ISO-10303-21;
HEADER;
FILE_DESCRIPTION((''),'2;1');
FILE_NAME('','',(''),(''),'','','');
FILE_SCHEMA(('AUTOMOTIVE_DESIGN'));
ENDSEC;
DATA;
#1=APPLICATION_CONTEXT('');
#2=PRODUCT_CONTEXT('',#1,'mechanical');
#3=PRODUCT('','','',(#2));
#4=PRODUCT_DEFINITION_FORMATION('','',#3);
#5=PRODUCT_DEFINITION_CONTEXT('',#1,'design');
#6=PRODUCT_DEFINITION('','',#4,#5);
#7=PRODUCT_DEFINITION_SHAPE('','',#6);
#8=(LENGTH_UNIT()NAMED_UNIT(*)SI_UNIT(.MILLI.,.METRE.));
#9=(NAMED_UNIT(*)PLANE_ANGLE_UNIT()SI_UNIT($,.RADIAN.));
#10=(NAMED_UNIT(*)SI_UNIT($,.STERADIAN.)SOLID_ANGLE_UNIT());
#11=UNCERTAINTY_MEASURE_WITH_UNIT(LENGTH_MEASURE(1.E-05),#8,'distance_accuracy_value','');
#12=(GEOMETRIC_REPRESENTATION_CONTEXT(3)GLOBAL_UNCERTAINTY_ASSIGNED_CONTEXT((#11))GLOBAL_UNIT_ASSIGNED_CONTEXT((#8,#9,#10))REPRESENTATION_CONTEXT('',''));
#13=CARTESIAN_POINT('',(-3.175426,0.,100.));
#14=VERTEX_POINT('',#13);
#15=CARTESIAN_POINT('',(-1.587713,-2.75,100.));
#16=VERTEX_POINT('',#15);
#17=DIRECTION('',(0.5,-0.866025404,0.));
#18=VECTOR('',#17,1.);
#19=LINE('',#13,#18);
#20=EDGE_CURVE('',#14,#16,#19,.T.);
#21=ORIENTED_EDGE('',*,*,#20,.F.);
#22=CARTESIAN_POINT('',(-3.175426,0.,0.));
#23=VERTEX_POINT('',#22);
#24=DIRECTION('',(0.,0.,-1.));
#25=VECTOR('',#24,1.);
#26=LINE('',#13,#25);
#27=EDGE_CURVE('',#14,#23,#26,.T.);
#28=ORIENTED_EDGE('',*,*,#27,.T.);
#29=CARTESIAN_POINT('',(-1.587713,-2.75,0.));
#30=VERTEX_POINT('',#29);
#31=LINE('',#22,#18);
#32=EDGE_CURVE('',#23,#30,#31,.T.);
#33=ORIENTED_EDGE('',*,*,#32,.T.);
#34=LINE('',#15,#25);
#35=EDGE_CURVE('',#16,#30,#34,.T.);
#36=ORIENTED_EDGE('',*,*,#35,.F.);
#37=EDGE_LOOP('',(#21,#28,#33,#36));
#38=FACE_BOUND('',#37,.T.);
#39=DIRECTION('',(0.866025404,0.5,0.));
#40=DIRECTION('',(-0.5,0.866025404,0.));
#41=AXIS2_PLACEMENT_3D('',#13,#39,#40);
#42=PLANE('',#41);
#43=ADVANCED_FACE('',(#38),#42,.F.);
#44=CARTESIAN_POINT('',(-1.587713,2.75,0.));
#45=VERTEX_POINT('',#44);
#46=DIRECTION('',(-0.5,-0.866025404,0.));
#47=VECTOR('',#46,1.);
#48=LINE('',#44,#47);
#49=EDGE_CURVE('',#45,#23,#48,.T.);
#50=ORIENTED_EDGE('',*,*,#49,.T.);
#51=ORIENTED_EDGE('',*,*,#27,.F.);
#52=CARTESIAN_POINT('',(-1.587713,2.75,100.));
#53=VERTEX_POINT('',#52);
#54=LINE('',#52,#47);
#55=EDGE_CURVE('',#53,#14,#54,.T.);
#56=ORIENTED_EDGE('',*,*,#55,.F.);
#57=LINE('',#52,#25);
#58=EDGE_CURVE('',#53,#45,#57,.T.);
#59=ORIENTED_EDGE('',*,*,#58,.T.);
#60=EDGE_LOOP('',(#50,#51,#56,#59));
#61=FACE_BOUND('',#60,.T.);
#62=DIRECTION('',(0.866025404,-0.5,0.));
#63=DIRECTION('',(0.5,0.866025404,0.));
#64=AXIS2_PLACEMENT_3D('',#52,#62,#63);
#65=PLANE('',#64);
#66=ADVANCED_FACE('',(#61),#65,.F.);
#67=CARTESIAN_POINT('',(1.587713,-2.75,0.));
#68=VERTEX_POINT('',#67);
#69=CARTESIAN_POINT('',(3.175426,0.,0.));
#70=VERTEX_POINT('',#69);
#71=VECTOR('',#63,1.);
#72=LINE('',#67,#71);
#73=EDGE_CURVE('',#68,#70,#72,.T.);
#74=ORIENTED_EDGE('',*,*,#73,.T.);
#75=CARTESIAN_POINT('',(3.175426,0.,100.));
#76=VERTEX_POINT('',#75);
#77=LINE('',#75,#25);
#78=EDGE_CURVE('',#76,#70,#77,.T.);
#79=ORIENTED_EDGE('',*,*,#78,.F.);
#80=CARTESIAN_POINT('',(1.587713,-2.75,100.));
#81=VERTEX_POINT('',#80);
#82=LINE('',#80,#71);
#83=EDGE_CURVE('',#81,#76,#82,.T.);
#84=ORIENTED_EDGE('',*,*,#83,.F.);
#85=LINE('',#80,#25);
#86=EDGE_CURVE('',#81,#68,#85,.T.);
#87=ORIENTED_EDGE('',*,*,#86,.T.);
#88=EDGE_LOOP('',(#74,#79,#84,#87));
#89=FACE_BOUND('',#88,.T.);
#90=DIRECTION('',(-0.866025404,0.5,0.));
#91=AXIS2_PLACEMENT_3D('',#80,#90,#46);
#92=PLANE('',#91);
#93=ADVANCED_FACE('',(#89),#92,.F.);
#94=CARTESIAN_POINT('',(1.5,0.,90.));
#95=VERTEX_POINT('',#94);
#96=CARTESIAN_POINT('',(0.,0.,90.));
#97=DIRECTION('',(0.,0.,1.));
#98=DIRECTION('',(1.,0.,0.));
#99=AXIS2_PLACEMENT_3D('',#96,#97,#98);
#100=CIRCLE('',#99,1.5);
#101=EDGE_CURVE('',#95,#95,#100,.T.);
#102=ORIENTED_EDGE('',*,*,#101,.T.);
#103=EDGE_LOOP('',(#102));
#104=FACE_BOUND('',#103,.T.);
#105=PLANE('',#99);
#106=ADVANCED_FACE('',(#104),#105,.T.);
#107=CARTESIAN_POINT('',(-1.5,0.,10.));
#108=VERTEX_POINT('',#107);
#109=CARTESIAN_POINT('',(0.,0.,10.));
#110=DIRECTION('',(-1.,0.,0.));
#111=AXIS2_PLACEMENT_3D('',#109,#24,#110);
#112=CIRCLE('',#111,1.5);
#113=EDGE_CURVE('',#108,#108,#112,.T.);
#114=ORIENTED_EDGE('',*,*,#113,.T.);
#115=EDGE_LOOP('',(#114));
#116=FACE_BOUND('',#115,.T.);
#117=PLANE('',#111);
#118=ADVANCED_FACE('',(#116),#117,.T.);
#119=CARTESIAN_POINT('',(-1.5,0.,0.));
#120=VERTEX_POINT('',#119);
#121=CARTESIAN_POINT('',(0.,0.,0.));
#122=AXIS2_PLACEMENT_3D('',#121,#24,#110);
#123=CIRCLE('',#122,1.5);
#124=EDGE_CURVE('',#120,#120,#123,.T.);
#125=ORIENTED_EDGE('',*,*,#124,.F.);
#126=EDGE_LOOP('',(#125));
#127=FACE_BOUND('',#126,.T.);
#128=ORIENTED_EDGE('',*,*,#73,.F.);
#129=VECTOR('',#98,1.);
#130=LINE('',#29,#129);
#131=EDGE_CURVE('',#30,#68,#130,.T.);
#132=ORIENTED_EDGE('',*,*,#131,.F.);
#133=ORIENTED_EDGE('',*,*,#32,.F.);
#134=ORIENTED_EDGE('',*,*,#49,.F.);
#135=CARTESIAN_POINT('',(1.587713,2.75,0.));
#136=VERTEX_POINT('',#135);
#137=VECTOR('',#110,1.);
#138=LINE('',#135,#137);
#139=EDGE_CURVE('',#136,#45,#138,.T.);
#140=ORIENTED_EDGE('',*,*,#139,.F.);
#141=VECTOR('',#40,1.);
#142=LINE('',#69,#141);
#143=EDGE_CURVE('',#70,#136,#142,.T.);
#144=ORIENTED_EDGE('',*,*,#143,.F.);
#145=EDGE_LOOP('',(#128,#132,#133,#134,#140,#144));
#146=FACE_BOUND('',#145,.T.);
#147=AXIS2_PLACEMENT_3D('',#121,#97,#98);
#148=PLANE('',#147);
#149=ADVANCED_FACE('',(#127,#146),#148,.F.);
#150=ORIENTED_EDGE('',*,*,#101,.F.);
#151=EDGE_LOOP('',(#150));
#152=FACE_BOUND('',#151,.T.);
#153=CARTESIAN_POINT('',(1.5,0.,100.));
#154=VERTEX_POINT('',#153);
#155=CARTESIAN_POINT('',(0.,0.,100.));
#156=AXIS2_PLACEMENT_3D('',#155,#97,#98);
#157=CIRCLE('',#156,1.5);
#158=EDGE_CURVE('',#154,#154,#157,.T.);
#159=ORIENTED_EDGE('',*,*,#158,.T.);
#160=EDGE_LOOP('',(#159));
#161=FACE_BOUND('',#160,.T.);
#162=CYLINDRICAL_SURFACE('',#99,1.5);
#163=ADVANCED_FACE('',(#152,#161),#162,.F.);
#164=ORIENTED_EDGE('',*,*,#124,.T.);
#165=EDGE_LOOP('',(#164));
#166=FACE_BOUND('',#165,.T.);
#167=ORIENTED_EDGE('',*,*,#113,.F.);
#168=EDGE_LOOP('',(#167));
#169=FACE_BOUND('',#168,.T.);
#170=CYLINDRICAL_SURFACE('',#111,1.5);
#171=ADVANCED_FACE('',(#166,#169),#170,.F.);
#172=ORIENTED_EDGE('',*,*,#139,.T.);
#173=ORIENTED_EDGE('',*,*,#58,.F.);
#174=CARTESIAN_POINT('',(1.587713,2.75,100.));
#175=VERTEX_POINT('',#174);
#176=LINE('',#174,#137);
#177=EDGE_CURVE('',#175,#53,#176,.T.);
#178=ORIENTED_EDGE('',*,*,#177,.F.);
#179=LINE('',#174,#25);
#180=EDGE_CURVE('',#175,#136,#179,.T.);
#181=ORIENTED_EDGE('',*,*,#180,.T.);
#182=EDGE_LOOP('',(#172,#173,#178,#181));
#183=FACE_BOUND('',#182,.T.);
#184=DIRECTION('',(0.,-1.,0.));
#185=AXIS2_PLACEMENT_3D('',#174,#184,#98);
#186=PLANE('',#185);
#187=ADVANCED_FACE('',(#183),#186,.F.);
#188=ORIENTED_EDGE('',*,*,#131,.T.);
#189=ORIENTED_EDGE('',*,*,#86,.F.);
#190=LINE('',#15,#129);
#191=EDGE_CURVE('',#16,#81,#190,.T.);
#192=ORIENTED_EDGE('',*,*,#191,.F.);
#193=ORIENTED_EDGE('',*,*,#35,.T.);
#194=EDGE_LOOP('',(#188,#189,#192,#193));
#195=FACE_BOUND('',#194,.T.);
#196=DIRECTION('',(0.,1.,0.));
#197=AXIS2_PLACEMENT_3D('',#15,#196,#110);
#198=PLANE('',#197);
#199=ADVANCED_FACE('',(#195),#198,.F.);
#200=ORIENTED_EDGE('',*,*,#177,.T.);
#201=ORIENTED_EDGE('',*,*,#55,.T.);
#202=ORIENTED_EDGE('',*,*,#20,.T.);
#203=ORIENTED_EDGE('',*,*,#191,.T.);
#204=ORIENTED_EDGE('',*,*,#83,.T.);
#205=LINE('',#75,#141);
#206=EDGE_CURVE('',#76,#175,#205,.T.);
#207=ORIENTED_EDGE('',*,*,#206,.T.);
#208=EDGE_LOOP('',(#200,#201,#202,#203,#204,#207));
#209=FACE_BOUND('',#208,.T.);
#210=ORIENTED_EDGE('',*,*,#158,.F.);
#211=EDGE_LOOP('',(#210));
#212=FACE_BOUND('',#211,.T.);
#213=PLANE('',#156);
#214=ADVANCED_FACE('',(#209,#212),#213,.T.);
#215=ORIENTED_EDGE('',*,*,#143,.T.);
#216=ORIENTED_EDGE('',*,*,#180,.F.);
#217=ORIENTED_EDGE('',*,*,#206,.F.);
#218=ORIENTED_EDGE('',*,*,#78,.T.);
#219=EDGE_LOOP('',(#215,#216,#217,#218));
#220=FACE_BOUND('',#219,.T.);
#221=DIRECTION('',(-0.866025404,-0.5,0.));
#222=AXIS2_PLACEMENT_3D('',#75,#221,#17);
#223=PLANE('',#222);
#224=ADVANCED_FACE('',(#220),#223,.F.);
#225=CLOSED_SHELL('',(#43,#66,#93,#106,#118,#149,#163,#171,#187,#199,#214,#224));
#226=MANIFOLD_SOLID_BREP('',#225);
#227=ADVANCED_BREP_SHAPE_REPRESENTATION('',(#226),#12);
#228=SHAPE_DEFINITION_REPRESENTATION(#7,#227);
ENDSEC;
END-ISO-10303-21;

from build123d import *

# Parameters (mm, degrees)
EXTRUDE_1_DEPTH     = 100
SKETCH_2_R          = 1.5
CUT_EXTRUDE_1_DEPTH = 10
CUT_EXTRUDE_START   = -10
SKETCH_3_R          = 1.5
CUT_EXTRUDE_2_DEPTH = 10


with BuildPart() as part:
    # Эскиз1 → Бобышка-Вытянуть1 (new body)
    with BuildSketch(Plane.XY):
        Polygon((1.58771324, -2.75), (3.175426481, 0), (1.58771324, 2.75), (-1.58771324, 2.75), (-3.175426481, 0), (-1.58771324, -2.75), align=None)
    extrude(amount=EXTRUDE_1_DEPTH)

    # Эскиз2 → Вырез-Вытянуть1 (cut)
    with BuildSketch(Plane(origin=(0, 0, 0), x_dir=(-1, 0, 0), z_dir=(0, 0, -1))):
        Circle(SKETCH_2_R)
    extrude(amount=-CUT_EXTRUDE_1_DEPTH, mode=Mode.SUBTRACT)

    # Эскиз3 → Вырез-Вытянуть2 (cut)
    with BuildSketch(Plane.XY.offset(100).offset(CUT_EXTRUDE_START)):
        with Locations(Location((0, 0, 0), (0, 0, 180))):
            Circle(SKETCH_3_R)
    extrude(amount=CUT_EXTRUDE_2_DEPTH, mode=Mode.SUBTRACT)


solid = part.part
